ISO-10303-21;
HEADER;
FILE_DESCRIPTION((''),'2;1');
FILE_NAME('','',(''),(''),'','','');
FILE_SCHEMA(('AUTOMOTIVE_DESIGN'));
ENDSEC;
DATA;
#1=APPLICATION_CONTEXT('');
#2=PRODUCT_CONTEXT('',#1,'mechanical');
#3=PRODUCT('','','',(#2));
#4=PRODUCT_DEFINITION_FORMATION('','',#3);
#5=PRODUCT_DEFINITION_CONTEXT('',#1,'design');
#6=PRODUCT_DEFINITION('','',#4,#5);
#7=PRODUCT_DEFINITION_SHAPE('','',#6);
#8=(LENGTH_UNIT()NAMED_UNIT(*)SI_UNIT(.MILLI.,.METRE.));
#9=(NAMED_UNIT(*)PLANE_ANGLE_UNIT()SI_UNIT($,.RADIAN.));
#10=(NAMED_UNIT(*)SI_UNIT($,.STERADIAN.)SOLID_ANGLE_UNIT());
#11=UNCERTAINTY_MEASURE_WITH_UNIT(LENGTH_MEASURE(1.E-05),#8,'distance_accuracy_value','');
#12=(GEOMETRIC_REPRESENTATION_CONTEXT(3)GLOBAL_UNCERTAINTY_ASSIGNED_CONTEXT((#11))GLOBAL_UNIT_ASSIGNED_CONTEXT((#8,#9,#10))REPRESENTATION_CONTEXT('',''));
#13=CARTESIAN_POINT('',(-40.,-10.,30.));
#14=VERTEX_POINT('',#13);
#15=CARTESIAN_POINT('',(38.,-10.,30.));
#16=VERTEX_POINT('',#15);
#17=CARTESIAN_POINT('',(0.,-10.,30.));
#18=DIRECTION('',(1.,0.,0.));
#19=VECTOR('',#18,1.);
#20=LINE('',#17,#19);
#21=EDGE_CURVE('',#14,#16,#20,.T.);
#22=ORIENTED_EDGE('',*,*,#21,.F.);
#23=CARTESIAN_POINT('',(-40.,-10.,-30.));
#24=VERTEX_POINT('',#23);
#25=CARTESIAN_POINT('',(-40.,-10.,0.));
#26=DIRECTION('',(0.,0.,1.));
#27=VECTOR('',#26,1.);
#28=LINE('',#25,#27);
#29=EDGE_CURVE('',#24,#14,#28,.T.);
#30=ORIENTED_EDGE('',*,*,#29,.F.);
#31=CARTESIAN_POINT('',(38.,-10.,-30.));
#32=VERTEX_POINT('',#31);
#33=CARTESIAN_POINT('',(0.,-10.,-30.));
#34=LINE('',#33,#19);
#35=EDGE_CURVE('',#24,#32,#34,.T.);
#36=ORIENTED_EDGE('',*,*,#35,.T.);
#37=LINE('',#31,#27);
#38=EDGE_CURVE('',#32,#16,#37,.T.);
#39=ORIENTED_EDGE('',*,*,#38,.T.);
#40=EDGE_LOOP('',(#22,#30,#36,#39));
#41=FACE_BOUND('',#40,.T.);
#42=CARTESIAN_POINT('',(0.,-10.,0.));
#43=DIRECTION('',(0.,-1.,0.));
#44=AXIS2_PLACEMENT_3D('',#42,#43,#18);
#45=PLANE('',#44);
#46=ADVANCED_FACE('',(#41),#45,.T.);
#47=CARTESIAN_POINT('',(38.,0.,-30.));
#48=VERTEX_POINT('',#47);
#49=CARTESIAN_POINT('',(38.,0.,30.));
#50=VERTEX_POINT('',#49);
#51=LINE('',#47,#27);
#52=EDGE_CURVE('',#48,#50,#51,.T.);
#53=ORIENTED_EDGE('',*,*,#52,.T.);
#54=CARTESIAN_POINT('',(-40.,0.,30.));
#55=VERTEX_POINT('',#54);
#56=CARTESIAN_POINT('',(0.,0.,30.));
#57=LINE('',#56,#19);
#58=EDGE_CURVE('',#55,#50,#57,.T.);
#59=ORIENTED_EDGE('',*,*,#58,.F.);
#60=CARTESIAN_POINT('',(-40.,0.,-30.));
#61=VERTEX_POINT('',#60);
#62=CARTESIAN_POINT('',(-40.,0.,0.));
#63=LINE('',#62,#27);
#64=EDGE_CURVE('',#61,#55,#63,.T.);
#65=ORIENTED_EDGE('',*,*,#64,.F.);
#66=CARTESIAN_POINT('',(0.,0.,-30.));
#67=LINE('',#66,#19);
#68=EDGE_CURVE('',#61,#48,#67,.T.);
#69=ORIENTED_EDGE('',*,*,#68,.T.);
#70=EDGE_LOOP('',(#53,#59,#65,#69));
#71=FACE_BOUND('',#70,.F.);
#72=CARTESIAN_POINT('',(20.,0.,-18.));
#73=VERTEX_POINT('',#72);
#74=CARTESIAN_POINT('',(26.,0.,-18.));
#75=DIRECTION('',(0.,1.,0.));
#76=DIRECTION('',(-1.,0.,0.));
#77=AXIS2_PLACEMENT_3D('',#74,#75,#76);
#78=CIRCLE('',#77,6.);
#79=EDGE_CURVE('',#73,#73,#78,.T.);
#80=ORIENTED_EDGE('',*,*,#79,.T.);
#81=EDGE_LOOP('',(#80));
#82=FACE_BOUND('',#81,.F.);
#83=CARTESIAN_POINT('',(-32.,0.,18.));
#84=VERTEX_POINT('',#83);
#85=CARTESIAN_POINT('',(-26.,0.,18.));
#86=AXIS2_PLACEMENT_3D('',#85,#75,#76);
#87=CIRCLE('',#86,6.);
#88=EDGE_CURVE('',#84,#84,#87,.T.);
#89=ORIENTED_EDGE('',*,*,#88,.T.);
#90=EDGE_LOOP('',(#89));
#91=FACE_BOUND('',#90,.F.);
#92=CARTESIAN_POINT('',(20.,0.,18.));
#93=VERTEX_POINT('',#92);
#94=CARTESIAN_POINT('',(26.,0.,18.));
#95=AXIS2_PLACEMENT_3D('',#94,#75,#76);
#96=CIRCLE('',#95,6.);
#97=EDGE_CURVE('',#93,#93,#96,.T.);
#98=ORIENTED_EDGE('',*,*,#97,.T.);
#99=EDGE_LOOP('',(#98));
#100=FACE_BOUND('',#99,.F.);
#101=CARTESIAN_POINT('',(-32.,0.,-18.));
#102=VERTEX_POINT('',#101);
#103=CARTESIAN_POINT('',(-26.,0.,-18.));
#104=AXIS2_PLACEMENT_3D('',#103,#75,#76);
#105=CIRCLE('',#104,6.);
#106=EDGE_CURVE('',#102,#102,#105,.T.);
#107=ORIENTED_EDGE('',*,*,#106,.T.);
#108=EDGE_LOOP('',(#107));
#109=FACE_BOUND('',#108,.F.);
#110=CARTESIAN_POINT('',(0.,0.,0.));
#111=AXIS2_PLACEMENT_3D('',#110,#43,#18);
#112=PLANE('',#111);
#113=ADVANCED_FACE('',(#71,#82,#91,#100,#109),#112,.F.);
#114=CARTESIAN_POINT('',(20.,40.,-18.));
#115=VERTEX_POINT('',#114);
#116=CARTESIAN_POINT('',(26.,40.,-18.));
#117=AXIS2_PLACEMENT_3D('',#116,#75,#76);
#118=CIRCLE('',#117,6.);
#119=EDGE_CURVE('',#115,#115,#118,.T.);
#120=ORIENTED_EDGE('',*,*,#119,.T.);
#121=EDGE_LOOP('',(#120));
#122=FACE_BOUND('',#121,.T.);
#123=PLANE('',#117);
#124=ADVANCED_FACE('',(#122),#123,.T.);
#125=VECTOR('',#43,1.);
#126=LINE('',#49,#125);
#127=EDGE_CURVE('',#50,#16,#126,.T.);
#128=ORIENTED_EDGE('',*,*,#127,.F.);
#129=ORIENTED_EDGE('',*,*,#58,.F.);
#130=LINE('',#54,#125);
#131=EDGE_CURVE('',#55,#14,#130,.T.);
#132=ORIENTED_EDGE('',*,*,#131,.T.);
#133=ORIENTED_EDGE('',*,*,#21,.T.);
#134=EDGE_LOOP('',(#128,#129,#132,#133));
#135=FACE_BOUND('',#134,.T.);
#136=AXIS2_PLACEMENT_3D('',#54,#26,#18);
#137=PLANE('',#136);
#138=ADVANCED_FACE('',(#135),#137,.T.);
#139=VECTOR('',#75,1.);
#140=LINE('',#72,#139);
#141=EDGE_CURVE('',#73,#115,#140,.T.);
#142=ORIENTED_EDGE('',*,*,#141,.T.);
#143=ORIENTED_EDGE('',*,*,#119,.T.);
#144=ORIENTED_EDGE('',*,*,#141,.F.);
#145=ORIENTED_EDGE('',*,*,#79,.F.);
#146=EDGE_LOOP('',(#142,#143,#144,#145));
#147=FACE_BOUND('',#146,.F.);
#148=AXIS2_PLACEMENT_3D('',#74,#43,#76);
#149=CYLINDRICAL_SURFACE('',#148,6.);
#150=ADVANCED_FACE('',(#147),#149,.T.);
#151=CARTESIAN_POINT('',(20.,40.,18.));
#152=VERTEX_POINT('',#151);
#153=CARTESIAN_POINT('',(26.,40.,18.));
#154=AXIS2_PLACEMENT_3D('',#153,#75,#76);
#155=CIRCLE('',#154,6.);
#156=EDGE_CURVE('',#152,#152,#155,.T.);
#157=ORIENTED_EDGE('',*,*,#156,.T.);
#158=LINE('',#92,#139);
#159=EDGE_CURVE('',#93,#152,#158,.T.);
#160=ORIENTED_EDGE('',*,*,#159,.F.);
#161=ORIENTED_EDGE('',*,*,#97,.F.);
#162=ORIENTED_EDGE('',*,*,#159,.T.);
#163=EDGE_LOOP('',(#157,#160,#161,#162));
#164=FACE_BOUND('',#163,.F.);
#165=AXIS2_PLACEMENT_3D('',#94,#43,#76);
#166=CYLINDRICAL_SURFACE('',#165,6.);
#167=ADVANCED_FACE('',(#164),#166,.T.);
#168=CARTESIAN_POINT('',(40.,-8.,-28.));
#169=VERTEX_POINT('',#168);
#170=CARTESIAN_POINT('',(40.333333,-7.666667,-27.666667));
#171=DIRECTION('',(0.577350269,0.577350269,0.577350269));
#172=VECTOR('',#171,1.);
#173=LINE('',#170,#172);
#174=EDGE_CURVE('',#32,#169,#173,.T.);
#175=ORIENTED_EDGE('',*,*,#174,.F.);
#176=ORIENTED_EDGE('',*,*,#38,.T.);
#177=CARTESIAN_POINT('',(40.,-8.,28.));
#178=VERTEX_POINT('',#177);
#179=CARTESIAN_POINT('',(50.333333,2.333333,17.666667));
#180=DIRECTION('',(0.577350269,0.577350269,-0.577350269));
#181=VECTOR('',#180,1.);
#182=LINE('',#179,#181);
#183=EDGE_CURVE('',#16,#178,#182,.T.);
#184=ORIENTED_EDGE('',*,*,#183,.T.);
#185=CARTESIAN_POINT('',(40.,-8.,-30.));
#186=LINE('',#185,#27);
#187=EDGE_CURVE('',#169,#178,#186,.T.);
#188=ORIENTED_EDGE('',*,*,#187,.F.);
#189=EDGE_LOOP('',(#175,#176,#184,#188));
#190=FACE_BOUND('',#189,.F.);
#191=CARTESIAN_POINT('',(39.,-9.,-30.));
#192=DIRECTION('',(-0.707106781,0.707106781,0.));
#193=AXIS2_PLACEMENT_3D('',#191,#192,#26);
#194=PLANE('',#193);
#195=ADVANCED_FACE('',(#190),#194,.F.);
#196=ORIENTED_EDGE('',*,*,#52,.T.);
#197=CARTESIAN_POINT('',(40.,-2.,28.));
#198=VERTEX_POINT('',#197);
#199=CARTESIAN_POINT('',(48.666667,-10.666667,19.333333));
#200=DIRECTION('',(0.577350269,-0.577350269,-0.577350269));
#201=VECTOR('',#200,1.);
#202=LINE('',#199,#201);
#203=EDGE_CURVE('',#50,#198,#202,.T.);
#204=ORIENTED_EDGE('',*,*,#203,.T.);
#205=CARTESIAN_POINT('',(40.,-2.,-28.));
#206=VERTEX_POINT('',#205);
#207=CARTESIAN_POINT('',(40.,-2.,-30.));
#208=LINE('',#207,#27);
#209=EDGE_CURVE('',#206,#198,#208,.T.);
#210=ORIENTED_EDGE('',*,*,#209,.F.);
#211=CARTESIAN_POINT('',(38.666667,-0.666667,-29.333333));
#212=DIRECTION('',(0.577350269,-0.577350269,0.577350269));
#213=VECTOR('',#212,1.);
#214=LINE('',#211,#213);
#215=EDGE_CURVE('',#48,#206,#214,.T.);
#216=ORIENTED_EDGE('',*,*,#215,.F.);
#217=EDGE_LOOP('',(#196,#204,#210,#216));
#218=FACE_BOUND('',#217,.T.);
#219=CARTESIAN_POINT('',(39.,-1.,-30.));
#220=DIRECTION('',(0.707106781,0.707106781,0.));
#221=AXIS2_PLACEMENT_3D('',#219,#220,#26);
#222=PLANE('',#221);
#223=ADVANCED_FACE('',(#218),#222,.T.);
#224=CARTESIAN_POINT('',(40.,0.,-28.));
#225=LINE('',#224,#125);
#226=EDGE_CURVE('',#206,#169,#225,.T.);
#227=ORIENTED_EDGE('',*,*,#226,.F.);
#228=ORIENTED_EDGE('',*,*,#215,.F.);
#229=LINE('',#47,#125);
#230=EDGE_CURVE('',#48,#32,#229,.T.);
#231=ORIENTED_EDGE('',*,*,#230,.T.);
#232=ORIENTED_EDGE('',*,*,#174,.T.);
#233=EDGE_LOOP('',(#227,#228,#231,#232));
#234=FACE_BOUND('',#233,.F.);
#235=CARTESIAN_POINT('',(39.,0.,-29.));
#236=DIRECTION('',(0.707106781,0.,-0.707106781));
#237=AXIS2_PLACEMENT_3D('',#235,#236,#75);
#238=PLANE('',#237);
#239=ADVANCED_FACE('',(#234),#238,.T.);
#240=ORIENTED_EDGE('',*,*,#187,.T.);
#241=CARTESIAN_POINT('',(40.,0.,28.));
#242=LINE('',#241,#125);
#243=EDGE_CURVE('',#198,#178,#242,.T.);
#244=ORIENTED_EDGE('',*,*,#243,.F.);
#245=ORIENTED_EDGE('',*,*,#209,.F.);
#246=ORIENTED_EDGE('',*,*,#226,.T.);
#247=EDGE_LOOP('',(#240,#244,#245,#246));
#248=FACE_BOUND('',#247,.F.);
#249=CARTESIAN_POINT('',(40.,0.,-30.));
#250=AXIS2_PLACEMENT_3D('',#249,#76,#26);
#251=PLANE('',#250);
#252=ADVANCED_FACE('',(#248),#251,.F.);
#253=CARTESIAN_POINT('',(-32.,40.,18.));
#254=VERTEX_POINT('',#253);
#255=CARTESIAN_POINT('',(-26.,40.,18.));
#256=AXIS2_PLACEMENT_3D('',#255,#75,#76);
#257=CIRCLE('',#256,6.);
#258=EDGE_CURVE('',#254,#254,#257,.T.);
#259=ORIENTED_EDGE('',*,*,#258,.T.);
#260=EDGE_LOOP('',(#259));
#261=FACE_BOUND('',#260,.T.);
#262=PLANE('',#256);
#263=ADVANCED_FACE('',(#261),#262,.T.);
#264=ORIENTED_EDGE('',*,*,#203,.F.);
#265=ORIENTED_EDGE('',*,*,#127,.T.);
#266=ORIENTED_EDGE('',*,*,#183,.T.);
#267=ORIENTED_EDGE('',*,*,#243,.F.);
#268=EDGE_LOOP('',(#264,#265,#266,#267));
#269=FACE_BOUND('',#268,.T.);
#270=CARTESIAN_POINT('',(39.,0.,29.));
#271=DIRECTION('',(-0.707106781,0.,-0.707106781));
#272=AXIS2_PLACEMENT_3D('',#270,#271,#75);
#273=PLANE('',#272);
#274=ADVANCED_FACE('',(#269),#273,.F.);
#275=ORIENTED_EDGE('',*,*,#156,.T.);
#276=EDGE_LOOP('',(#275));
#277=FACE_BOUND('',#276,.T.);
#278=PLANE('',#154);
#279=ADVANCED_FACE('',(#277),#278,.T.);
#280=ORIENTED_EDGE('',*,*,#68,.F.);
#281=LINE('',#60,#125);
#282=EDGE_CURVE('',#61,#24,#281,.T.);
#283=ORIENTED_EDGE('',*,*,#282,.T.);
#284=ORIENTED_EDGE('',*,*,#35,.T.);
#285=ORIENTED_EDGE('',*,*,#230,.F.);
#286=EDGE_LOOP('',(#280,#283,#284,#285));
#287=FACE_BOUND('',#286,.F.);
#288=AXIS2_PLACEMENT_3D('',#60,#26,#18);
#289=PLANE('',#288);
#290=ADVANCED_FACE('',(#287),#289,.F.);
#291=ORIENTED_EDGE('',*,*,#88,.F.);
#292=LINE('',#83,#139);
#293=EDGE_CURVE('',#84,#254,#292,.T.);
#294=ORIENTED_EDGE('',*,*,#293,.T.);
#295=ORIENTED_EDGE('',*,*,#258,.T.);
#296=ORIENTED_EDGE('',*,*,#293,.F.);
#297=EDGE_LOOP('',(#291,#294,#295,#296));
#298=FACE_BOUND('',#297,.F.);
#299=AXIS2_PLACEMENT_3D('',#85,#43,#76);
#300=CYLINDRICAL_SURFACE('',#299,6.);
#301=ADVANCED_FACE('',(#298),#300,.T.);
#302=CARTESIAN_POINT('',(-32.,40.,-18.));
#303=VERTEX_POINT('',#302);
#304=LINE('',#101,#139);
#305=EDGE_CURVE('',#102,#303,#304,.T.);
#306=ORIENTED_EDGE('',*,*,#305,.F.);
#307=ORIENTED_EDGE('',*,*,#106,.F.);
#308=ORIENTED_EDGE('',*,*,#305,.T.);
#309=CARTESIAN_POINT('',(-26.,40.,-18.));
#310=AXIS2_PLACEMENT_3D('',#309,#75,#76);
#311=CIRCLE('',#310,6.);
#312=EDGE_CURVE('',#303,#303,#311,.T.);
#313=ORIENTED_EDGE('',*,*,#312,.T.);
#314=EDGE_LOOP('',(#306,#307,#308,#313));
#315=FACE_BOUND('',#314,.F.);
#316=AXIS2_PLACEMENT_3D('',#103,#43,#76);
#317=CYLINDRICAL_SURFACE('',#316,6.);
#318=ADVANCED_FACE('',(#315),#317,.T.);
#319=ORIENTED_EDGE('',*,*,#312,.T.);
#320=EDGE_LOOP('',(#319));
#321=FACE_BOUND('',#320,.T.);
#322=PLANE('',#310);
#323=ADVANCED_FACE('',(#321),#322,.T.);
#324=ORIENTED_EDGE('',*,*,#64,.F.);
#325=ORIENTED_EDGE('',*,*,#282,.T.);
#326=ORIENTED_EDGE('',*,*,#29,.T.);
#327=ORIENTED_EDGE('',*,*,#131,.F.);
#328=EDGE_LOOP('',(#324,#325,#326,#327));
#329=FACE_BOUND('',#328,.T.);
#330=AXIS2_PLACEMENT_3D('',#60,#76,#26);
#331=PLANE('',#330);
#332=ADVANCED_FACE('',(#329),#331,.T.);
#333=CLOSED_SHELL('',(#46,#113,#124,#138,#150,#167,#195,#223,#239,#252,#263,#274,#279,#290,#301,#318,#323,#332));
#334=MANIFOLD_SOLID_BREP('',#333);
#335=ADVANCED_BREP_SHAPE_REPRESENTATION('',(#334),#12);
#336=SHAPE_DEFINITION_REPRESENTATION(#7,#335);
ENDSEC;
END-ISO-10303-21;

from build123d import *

# Parameters (mm, degrees)
F0_W     = 80
F0_H     = 60
F1_DEPTH = 10
F2_R     = 6
F3_DEPTH = 40
F4_SIZE  = 2


with BuildPart() as f1:
    # F0 (on Front) → F1 (new body)
    with BuildSketch(Plane.XZ):
        Rectangle(F0_W, F0_H)
    extrude(amount=F1_DEPTH)

    # F2 (on face) → F3 (join)
    with BuildSketch(Plane(origin=(0, 0, 0), x_dir=(-1, 0, 0), z_dir=(0, 1, 0))):
        with Locations((26, 18)):
            Circle(F2_R)
        with Locations((26, -18)):
            Circle(F2_R)
        with Locations((-26, -18)):
            Circle(F2_R)
        with Locations((-26, 18)):
            Circle(F2_R)
    extrude(amount=F3_DEPTH)

    # F4
    f4_edges = [f1.edges().sort_by_distance(p)[0] for p in [
        (40, -5, -30),
        (40, -5, 30),
        (40, 0, 0),
        (40, -10, 0),
    ]]
    chamfer(f4_edges, length=F4_SIZE)


solid = f1.part
